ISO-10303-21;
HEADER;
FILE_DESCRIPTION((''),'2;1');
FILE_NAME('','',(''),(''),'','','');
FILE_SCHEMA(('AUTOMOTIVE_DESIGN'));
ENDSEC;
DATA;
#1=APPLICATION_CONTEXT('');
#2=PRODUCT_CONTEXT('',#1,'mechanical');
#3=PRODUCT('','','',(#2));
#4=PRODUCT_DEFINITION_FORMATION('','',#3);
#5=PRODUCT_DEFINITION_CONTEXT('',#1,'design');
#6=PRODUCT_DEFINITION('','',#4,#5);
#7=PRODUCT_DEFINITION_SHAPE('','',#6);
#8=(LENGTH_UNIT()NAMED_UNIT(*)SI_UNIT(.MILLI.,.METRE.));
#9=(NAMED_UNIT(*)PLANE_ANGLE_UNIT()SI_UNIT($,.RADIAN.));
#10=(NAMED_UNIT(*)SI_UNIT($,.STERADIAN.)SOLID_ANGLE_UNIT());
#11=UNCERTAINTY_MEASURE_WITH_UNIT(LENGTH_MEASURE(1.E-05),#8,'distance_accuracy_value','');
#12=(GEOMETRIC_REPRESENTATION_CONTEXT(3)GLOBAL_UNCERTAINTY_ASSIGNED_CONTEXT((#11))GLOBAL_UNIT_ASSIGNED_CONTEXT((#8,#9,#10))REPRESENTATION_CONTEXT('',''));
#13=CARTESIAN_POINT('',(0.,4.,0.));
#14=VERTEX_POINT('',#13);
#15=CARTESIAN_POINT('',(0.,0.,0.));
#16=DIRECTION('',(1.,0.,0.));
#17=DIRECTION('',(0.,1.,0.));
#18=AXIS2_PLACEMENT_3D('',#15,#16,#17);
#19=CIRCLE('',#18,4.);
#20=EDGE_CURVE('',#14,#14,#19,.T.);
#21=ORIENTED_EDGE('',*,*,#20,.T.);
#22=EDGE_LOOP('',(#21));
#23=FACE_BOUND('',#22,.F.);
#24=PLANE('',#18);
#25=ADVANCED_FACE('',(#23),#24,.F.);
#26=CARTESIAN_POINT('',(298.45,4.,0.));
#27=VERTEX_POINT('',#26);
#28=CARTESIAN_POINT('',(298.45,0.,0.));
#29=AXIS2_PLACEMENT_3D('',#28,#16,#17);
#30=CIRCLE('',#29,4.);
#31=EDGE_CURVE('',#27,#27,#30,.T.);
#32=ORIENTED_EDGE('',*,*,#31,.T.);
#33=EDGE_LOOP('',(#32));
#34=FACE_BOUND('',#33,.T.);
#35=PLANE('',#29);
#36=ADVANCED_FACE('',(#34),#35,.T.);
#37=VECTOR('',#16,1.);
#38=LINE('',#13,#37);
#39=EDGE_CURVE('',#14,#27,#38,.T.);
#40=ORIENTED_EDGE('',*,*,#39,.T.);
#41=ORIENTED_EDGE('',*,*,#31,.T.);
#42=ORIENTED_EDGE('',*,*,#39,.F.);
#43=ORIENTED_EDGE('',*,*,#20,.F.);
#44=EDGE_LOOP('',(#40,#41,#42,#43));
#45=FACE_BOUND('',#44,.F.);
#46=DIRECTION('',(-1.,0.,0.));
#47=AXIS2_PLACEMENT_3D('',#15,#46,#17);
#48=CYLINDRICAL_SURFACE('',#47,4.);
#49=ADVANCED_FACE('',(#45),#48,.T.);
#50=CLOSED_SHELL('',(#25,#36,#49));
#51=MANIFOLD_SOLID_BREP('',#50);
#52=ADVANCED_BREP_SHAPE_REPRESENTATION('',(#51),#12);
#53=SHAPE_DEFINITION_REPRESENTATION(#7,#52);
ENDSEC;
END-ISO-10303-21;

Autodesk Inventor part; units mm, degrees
ref_plane "YZ Plane" through (0, 0, 0) normal (1, 0, 0) x (0, 1, 0)
ref_plane "XZ Plane" through (0, 0, 0) normal (0, 1, 0) x (-1, 0, 0)
ref_plane "XY Plane" through (0, 0, 0) normal (0, 0, 1) x (1, 0, 0)
sketch "Sketch1" plane through (0, 0, 0) normal (1, 0, 0) x (0, 1, 0)
  circle A0 centre (0, 0) radius 4
  dimension "d0" = 8
extrude "Extrusion1" add sketch "Sketch1" along normal blind 298.45
properties part number "Lead Screw"
